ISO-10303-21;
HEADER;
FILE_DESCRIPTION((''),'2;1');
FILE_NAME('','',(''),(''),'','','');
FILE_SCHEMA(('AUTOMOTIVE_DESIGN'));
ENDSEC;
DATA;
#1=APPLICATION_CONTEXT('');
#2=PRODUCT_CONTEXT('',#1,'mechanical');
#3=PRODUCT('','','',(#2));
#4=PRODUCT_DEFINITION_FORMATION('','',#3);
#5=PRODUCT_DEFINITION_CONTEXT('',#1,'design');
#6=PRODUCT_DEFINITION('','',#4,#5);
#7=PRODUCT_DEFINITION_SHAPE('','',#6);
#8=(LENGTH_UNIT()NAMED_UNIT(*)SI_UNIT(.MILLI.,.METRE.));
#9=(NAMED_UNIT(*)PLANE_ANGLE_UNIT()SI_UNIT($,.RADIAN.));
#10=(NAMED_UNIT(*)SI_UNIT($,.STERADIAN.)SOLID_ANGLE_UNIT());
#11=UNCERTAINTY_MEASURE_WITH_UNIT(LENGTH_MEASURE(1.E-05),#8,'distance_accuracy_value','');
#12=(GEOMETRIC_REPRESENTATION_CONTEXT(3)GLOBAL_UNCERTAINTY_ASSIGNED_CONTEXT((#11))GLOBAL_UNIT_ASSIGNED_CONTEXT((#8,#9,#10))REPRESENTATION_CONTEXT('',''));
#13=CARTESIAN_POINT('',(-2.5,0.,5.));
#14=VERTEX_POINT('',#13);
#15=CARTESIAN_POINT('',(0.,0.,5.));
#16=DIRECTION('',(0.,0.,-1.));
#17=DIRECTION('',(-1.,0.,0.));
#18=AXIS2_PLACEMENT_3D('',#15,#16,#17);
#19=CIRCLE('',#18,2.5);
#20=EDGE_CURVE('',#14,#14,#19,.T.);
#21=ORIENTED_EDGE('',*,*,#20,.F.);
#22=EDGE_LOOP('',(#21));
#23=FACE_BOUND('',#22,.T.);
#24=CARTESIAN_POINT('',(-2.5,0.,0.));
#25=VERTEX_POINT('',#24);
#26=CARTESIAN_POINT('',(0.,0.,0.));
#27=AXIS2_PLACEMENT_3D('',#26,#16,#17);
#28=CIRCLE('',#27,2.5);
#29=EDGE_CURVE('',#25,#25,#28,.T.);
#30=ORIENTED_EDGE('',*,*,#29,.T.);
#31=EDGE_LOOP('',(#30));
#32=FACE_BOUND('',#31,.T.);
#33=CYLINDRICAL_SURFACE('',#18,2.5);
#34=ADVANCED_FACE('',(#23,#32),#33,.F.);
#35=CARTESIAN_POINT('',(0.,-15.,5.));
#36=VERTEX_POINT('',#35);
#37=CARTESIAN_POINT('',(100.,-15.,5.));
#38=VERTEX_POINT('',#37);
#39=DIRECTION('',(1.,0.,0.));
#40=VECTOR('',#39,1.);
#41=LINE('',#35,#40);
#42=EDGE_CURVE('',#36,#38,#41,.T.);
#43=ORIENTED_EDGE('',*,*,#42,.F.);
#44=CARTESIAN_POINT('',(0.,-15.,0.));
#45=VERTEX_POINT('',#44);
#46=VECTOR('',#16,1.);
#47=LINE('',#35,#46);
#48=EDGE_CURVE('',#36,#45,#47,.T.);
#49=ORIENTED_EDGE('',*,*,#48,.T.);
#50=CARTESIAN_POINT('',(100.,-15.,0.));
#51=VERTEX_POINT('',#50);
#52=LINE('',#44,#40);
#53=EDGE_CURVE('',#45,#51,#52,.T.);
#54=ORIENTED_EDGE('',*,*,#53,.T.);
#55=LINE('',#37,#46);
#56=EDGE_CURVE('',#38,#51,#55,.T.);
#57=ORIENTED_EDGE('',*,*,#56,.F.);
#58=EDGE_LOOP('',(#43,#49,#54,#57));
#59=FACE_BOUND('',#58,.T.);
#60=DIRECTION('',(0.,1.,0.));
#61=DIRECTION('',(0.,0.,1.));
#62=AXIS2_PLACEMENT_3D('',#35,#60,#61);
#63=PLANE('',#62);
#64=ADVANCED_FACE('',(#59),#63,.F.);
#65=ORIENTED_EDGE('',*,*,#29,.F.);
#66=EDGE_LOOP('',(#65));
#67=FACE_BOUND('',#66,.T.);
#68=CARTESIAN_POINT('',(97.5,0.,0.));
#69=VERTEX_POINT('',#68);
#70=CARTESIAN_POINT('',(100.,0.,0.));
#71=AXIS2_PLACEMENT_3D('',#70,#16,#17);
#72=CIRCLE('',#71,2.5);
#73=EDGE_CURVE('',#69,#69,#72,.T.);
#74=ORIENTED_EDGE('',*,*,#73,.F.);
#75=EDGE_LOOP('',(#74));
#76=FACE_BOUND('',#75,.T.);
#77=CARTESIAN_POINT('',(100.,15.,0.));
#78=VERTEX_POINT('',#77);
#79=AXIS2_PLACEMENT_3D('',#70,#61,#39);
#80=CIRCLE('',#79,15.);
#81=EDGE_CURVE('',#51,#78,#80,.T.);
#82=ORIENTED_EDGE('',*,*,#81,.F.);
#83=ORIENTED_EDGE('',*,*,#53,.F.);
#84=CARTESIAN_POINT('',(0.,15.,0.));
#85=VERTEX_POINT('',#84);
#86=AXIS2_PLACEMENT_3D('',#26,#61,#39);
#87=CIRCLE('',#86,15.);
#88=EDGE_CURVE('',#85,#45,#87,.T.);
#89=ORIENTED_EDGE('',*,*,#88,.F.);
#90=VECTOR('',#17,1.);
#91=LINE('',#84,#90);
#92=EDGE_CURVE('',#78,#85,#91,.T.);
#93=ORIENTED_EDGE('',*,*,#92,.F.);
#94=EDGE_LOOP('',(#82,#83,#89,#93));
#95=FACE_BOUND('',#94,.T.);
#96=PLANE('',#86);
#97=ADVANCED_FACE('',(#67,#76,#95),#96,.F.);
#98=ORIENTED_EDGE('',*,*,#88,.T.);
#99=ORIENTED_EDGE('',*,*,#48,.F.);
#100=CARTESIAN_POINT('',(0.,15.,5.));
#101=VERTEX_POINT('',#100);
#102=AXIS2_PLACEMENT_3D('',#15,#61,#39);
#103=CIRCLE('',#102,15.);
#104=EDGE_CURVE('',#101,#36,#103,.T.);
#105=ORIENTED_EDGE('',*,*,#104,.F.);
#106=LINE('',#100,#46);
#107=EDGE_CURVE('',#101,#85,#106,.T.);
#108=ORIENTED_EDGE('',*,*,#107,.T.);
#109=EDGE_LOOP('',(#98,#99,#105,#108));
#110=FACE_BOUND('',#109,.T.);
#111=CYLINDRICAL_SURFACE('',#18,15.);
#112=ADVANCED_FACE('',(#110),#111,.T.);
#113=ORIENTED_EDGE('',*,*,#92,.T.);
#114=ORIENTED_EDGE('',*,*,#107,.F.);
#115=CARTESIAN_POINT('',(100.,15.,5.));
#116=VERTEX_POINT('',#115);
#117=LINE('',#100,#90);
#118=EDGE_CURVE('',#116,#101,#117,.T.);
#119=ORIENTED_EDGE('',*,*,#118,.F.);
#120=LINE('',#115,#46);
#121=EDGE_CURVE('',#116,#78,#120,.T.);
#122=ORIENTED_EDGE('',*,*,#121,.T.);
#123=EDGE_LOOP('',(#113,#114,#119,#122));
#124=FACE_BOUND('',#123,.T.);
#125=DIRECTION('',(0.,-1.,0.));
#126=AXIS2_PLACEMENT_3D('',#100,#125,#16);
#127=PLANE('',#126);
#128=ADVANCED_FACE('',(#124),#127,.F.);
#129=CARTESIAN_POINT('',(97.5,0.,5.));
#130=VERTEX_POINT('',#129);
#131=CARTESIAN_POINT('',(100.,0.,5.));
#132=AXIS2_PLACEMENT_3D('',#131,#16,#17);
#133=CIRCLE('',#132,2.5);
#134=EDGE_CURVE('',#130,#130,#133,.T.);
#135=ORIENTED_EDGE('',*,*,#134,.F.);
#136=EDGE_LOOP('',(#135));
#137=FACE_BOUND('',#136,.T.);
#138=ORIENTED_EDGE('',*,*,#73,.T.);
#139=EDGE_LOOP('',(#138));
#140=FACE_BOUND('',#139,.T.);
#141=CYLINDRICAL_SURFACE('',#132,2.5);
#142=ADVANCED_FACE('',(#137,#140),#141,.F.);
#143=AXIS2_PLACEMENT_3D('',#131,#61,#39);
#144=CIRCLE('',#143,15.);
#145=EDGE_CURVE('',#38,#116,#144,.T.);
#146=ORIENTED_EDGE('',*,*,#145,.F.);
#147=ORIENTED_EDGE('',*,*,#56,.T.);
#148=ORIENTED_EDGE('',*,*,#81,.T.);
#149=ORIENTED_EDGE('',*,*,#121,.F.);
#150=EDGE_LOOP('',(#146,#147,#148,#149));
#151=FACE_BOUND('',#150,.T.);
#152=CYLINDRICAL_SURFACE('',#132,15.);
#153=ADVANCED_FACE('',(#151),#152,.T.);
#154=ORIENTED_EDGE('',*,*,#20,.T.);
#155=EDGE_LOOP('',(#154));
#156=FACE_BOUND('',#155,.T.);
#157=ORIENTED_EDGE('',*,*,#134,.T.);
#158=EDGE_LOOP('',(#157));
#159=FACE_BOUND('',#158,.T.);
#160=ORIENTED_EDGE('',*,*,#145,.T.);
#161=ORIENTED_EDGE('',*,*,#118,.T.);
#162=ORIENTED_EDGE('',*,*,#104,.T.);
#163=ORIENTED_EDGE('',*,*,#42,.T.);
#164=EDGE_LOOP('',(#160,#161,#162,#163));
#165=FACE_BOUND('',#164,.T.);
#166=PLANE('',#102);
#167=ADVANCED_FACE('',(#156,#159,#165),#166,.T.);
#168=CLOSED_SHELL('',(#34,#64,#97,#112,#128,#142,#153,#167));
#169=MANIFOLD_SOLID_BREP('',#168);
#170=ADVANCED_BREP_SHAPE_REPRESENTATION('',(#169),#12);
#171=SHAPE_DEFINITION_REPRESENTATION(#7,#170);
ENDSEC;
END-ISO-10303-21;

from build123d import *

# Parameters (mm, degrees)
EXTRUDE_1_DEPTH     = 5
SKETCH_2_R          = 2.5
CUT_EXTRUDE_1_DEPTH = 117.081867662


with BuildPart() as part:
    # 草图1 → 凸台-拉伸1 (new body)
    with BuildSketch(Plane.XY):
        with BuildLine():
            Line((0, 15), (100, 15))
            ThreePointArc((100, 15), (115, 0), (100, -15))
            Line((100, -15), (0, -15))
            ThreePointArc((0, -15), (-15, 0), (0, 15))
        make_face()
    extrude(amount=EXTRUDE_1_DEPTH)

    # 草图2 → 切除-拉伸1 (cut, through all)
    with BuildSketch(Plane(origin=(0, 0, 0), x_dir=(-1, 0, 0), z_dir=(0, 0, -1))):
        Circle(SKETCH_2_R)
        with Locations((-100, 0)):
            Circle(SKETCH_2_R)
    extrude(amount=-CUT_EXTRUDE_1_DEPTH, mode=Mode.SUBTRACT)


solid = part.part
